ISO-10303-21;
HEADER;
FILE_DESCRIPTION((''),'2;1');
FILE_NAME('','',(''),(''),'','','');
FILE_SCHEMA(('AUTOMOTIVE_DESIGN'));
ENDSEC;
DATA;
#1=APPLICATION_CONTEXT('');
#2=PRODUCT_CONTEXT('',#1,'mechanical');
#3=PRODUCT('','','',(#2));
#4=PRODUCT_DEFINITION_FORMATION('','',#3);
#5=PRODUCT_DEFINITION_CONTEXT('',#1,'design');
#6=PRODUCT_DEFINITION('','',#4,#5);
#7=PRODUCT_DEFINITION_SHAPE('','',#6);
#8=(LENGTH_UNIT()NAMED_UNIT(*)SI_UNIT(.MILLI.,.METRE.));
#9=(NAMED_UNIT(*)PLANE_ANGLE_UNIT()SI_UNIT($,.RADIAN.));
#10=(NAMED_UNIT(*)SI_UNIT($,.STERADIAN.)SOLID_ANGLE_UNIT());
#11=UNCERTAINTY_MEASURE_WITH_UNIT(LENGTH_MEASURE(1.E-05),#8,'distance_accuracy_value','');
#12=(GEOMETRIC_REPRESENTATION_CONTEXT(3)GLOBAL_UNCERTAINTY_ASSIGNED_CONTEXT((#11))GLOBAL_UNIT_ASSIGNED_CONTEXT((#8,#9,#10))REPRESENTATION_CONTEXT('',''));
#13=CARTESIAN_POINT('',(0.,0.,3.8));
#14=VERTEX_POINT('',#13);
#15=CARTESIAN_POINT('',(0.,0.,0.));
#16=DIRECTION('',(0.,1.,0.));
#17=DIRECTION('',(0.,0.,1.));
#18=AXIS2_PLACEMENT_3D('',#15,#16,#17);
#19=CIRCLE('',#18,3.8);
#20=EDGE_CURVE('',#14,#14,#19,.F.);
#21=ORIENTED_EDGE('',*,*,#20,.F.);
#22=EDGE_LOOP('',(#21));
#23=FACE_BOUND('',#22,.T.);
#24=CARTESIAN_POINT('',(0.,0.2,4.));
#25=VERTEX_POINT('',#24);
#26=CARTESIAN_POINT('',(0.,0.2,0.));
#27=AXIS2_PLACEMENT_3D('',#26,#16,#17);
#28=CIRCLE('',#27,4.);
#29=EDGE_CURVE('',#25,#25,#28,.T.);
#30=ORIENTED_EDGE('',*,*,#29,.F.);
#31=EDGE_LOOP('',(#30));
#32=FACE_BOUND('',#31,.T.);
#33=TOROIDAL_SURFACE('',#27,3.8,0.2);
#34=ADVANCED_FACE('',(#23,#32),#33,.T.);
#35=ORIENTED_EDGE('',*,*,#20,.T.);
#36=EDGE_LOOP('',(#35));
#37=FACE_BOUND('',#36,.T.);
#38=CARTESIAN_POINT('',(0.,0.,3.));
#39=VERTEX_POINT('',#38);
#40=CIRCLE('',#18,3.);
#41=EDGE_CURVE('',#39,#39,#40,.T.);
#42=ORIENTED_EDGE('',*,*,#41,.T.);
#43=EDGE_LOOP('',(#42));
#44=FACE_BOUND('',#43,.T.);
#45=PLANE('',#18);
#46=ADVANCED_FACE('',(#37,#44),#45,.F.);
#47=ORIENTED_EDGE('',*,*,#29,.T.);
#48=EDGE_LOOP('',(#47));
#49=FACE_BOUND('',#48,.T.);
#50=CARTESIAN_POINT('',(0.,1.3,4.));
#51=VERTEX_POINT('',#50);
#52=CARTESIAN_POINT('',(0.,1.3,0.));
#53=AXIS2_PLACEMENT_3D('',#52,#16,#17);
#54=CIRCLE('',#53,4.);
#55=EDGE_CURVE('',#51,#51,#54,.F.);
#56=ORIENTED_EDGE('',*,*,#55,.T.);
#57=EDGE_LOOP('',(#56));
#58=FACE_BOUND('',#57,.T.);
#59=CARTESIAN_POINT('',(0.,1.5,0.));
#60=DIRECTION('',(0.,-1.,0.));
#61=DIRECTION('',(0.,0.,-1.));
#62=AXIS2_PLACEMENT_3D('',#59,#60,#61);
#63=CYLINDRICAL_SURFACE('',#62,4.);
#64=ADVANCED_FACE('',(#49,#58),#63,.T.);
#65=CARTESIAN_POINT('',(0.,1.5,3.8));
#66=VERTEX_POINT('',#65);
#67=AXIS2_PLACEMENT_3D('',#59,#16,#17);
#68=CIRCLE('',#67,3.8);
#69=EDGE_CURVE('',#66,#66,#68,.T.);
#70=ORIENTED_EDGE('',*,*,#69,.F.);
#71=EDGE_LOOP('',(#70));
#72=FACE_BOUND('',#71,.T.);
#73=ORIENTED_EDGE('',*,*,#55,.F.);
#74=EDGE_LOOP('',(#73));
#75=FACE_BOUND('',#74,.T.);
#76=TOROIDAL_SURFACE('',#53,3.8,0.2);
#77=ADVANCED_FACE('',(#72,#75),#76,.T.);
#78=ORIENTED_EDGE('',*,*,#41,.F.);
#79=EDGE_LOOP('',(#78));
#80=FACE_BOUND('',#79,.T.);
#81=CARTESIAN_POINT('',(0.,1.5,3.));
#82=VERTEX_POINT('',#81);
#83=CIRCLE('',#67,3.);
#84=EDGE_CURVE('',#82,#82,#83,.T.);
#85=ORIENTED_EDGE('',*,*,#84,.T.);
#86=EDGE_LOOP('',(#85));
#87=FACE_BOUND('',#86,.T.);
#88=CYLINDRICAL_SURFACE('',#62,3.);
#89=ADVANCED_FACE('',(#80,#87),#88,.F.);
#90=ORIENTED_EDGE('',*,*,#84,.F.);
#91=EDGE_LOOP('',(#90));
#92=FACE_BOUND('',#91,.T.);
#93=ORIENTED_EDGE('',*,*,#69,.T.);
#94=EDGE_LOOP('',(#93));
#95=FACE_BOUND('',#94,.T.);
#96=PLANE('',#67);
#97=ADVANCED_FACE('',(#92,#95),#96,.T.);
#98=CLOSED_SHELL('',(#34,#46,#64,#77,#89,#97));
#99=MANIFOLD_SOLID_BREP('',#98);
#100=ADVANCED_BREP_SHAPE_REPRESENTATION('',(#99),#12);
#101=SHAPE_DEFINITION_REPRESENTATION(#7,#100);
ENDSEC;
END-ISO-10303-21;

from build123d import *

# Parameters (mm, degrees)
SKIZZE1_R                       = 4
SKIZZE1_R_2                     = 3
AUFSATZ_LINEAR_AUSTRAGEN1_DEPTH = 1.5
VERRUNDUNG1_R                   = 0.2


with BuildPart() as part:
    # Skizze1 → Aufsatz-Linear austragen1 (new body)
    with BuildSketch(Plane(origin=(0, 0, 0), x_dir=(1, 0, 0), z_dir=(0, 1, 0))):
        with Locations(Location((0, 0, 0), (0, 0, 270))):
            Circle(SKIZZE1_R)
        with Locations(Location((0, 0, 0), (0, 0, 270))):
            Circle(SKIZZE1_R_2, mode=Mode.SUBTRACT)
    extrude(amount=AUFSATZ_LINEAR_AUSTRAGEN1_DEPTH)

    # Verrundung1
    verrundung1_edges = [part.edges().sort_by_distance(p)[0] for p in [
        (0, 0, -4),
        (0, 1.5, -4),
    ]]
    fillet(verrundung1_edges, radius=VERRUNDUNG1_R)


solid = part.part
